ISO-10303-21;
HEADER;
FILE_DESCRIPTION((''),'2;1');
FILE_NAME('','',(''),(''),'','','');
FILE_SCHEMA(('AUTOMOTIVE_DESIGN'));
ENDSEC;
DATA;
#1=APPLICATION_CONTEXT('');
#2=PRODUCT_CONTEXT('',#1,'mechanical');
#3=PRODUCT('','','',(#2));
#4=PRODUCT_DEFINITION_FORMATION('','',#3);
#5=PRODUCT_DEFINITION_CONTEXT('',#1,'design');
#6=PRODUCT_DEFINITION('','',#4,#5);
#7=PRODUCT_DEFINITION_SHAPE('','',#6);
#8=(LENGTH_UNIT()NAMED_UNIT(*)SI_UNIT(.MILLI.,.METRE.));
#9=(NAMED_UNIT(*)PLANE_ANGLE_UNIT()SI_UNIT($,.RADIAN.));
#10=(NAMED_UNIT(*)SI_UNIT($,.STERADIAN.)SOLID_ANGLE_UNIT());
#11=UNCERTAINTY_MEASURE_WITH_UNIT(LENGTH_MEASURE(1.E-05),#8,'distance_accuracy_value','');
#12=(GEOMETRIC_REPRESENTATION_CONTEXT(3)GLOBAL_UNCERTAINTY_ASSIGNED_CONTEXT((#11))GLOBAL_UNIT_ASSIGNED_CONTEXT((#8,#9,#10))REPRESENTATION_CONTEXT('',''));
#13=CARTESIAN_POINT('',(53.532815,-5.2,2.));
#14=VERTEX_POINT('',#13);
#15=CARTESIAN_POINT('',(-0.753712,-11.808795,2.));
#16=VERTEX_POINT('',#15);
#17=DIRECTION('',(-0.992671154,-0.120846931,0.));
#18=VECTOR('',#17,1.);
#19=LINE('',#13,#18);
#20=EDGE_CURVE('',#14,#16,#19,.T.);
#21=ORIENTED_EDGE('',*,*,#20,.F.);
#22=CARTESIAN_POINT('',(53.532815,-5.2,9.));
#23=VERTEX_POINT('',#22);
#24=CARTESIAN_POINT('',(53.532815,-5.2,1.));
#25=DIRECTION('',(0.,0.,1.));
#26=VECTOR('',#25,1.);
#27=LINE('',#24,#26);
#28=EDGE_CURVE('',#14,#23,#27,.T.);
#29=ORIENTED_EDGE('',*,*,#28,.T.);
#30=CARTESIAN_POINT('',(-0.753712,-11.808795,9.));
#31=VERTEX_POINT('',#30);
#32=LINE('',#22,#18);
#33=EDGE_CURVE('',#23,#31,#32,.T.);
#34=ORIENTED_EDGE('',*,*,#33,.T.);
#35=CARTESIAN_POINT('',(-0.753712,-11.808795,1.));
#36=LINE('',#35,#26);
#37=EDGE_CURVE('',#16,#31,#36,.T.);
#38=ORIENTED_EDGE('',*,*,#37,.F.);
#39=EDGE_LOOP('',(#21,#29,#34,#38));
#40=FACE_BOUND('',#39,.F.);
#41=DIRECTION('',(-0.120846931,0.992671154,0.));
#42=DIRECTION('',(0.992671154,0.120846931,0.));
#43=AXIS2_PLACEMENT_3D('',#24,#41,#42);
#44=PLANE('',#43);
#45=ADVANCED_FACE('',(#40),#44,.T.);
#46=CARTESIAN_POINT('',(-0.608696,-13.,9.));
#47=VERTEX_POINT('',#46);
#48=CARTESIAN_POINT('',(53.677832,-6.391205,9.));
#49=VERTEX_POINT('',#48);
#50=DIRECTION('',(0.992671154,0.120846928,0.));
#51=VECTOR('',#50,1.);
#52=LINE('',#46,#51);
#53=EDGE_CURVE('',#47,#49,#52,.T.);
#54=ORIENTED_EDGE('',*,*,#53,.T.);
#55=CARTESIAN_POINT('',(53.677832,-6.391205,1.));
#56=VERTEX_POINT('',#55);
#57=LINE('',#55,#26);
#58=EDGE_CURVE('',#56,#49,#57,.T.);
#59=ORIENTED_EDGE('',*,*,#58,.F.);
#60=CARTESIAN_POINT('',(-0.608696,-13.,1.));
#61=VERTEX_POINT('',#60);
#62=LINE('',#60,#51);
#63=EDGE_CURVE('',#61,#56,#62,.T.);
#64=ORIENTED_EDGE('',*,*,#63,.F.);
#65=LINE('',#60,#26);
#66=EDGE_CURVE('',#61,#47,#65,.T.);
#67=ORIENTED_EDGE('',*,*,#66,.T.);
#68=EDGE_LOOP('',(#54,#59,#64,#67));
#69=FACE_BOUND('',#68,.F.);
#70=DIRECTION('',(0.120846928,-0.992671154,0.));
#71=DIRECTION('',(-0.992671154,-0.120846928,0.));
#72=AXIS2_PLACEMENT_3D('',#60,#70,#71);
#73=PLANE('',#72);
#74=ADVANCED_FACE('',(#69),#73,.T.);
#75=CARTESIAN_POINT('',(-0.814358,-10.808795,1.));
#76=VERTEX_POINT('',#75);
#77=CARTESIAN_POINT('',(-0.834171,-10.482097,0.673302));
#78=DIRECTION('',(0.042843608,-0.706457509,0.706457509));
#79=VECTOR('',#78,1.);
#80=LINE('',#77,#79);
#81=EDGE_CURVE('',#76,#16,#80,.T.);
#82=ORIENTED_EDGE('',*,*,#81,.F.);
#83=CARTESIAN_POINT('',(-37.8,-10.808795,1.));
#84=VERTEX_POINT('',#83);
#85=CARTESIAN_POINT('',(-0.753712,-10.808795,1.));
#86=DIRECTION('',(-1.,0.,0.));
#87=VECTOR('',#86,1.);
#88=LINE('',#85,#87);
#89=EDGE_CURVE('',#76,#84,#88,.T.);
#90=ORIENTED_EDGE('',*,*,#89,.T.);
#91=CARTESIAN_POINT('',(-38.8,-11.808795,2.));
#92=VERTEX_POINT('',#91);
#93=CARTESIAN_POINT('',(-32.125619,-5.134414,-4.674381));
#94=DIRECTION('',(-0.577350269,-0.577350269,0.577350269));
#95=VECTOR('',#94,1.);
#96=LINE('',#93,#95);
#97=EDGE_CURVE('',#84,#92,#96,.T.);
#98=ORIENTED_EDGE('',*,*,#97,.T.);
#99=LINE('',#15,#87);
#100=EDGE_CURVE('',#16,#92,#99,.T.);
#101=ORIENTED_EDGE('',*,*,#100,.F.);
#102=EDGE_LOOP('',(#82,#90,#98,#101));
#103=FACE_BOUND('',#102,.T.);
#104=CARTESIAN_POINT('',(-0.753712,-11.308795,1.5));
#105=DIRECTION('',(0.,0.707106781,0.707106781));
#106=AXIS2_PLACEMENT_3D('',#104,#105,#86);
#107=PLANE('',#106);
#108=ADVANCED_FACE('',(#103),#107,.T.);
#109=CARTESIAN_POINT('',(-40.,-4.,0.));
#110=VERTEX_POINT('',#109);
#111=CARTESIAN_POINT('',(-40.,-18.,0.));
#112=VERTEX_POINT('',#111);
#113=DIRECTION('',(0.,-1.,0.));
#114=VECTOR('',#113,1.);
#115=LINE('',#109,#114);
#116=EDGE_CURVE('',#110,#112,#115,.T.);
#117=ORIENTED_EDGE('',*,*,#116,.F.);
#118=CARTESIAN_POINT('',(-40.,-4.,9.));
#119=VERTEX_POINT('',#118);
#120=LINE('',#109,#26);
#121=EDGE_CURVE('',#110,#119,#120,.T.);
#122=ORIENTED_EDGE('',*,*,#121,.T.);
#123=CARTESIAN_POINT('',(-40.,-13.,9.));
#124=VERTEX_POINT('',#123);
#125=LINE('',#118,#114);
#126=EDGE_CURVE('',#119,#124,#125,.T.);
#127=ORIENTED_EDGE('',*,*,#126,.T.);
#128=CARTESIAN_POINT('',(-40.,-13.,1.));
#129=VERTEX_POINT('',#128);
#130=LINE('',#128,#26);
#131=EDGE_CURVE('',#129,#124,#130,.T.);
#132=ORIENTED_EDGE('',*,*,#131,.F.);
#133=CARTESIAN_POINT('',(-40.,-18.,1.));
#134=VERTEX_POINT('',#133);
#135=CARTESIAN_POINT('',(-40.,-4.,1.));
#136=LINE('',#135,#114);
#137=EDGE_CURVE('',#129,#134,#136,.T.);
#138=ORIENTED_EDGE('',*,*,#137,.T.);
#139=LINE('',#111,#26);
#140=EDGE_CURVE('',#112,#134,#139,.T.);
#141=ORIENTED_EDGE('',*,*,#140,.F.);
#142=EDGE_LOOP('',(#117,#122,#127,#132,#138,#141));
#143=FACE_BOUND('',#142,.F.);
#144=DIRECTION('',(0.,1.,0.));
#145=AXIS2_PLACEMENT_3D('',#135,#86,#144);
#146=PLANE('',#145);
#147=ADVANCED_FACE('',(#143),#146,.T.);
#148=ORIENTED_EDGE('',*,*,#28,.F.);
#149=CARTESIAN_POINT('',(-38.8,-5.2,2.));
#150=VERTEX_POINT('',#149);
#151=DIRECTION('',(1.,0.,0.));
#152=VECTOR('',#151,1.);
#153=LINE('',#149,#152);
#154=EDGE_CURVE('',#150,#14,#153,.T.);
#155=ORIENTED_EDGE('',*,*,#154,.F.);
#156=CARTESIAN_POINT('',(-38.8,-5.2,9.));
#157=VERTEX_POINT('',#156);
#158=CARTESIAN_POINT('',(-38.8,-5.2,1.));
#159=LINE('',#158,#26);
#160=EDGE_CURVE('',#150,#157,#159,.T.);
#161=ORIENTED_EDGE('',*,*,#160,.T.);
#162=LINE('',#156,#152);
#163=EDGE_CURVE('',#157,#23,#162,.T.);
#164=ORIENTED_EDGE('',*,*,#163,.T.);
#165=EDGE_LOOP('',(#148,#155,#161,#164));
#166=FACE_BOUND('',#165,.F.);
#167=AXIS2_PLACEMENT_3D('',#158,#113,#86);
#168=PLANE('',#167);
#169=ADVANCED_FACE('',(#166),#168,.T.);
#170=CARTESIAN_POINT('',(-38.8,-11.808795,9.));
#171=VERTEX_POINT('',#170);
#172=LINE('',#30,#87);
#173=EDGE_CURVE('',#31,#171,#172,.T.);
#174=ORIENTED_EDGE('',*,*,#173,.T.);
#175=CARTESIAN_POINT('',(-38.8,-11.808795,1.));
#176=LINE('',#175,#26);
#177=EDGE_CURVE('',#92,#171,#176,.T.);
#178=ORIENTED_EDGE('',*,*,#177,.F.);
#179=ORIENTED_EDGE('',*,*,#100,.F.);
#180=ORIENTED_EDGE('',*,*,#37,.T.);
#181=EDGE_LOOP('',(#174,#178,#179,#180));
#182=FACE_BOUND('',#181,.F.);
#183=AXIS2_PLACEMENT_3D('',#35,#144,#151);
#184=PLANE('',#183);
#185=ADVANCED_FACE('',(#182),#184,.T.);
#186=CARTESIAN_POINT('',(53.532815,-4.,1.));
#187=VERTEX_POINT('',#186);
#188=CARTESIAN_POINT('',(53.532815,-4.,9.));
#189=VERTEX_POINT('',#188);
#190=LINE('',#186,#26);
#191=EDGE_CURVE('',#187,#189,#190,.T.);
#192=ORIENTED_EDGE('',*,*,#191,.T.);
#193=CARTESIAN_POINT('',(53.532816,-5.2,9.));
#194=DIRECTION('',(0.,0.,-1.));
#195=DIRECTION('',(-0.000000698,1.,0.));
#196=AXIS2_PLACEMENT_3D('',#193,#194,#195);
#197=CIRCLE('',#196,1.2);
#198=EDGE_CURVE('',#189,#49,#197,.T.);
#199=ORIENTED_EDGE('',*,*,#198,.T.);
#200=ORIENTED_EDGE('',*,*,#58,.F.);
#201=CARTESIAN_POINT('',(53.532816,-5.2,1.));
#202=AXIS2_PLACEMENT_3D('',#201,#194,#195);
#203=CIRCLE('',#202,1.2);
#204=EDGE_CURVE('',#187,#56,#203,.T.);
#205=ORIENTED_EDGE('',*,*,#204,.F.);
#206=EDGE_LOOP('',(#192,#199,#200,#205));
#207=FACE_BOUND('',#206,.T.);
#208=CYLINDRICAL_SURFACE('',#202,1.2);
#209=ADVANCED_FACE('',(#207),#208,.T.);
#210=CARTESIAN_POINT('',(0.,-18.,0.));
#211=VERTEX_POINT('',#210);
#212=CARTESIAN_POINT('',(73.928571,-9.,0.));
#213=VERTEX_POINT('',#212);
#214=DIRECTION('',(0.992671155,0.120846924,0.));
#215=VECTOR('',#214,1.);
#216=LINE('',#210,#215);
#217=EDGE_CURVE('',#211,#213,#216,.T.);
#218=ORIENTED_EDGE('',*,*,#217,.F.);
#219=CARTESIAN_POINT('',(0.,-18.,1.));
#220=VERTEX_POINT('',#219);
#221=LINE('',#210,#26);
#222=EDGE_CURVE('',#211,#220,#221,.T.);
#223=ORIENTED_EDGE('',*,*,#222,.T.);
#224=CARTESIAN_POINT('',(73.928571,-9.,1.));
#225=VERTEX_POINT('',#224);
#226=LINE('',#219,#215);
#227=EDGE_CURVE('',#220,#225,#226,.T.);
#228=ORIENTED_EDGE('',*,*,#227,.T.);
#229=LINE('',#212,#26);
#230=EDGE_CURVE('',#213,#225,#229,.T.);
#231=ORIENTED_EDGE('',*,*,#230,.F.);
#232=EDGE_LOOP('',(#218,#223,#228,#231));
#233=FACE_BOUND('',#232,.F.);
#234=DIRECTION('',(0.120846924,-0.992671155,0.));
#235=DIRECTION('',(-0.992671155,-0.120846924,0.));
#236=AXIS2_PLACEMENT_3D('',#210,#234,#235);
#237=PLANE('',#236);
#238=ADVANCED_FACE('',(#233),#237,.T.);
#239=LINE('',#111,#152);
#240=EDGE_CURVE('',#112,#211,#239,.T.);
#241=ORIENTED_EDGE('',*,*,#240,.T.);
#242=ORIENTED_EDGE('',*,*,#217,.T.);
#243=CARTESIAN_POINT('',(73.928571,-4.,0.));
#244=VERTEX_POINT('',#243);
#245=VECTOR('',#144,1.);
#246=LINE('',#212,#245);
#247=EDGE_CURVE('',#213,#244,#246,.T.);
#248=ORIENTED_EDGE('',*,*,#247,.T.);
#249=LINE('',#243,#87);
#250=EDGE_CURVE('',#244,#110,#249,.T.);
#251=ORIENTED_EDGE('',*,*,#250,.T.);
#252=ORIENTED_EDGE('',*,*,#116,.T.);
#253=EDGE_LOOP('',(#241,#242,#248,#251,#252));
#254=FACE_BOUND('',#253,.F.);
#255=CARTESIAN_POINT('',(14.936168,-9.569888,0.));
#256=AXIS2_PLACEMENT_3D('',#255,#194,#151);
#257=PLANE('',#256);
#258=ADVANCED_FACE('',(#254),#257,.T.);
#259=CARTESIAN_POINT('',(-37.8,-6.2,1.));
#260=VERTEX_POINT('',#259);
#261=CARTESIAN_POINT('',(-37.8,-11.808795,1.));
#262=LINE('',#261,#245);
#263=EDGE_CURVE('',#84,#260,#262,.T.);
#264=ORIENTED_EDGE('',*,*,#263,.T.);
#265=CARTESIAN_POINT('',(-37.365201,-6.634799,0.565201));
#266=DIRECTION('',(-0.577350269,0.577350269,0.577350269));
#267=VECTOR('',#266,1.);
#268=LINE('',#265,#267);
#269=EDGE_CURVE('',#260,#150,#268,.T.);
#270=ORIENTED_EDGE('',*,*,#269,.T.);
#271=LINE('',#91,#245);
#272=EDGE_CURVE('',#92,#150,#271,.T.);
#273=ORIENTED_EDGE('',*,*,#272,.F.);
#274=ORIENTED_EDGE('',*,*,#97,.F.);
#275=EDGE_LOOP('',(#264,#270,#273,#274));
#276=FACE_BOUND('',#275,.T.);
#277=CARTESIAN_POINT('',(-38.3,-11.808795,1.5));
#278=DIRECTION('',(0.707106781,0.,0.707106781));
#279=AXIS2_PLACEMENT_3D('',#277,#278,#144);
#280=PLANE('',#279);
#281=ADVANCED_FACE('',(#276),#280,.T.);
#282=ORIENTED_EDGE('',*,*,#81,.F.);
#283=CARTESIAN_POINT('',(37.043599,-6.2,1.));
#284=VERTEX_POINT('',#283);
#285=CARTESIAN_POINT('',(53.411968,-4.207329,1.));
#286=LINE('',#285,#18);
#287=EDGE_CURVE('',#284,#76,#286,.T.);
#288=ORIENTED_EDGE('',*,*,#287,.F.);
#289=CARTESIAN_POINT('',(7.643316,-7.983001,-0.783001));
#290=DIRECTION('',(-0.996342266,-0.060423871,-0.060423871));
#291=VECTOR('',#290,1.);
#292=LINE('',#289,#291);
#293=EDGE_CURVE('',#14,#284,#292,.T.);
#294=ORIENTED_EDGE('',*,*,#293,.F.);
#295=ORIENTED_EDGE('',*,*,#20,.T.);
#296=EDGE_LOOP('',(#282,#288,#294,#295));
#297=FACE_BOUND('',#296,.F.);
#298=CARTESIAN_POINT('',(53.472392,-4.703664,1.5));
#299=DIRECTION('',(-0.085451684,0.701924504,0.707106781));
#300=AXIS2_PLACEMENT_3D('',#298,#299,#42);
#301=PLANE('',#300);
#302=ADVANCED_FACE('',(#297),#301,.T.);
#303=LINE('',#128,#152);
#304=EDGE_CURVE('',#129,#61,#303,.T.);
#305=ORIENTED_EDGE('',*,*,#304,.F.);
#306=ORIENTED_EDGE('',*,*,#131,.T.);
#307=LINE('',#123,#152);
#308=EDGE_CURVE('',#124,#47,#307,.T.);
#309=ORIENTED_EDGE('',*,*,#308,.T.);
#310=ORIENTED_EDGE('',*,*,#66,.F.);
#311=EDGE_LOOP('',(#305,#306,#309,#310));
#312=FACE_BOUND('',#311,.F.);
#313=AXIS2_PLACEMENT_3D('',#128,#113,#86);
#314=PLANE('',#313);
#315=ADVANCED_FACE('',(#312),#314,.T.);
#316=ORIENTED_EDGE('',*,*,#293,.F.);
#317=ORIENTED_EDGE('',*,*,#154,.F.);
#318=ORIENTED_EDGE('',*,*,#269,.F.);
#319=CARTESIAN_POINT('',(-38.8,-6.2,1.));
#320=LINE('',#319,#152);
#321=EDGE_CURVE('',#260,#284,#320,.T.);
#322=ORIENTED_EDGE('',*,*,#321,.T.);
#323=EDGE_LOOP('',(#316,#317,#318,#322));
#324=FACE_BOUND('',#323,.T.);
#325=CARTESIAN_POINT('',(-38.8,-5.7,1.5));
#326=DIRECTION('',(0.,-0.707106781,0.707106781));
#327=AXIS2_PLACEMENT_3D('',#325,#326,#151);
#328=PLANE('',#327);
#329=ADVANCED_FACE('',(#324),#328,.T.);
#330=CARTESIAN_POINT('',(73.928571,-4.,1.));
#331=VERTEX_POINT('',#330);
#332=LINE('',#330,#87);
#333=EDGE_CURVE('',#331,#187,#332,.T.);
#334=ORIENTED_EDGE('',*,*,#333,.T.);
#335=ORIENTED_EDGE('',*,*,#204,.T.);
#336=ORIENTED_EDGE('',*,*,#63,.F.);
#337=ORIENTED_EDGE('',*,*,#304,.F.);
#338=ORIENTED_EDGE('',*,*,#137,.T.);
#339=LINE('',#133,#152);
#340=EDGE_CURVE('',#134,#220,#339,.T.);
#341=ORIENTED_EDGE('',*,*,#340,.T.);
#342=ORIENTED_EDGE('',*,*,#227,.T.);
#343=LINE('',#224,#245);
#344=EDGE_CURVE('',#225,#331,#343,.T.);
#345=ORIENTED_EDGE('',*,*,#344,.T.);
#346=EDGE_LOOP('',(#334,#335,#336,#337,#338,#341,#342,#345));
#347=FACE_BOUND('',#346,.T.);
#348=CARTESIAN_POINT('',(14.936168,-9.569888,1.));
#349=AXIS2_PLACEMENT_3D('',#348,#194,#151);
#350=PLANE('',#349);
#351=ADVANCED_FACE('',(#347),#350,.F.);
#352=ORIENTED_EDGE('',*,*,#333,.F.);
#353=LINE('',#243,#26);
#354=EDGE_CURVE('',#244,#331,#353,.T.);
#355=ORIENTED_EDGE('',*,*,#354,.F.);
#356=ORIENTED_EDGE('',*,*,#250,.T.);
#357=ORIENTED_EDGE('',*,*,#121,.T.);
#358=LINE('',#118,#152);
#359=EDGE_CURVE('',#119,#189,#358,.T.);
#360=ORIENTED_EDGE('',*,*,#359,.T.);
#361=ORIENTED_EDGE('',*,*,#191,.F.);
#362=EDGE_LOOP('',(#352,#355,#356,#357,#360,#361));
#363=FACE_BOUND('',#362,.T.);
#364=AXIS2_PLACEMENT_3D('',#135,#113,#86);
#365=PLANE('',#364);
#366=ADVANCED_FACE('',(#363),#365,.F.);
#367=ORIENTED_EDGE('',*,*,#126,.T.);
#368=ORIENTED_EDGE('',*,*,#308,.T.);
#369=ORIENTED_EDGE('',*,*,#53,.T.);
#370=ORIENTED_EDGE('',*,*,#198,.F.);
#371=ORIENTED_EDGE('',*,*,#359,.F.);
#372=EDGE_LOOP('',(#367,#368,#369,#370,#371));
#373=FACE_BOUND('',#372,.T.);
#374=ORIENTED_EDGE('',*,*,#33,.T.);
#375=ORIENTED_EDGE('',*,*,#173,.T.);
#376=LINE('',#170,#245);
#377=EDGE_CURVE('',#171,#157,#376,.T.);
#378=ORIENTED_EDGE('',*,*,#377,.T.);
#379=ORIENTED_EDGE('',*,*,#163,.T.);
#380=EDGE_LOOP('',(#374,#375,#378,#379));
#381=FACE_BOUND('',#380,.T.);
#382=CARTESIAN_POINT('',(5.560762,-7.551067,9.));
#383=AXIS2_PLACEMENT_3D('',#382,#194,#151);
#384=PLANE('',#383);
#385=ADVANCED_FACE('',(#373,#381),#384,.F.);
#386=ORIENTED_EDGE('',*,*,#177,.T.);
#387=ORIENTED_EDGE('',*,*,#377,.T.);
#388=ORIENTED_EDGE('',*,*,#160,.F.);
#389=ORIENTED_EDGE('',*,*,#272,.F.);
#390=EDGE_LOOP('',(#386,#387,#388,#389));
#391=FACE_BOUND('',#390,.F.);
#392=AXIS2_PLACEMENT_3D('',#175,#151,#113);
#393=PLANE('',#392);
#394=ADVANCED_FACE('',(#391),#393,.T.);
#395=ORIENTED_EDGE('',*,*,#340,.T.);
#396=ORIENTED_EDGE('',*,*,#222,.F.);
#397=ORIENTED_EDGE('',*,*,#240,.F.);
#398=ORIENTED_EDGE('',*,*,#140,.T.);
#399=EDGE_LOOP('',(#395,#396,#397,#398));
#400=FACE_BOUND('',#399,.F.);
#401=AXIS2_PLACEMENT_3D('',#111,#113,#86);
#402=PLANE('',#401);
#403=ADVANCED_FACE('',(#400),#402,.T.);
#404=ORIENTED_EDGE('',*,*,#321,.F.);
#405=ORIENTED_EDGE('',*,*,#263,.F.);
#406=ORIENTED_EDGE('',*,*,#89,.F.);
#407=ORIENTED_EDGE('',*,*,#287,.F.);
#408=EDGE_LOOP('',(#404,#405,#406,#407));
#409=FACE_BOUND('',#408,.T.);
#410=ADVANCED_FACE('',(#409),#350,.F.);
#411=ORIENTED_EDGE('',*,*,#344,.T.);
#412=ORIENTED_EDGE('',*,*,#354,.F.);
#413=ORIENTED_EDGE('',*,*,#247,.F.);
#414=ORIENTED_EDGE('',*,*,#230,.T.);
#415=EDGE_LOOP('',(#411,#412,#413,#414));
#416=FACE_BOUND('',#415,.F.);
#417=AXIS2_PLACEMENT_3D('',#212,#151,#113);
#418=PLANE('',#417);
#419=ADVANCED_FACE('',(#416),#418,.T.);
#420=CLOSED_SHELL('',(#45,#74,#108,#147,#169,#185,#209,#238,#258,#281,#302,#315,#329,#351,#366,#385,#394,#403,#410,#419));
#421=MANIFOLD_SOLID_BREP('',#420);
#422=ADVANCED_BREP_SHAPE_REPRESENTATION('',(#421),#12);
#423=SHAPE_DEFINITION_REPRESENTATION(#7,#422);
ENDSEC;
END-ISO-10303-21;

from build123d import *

# Parameters (mm, degrees)
PAD_DEPTH                      = 1
PAD001_DEPTH                   = 8
CHAMFER_SIZE                   = 1
PART_MIRRORING_PLACEMENT_ANGLE = 180


with BuildPart() as body_ramp_support:
    # Sketch → Pad (new body)
    with BuildSketch(Plane.XY):
        Polygon((-40, 0), (-40, 14), (0, 14), (73.928571, 5), (73.928571, 0), align=None)
    extrude(amount=PAD_DEPTH)

    # Sketch001 (on Face7 of Pad) → Pad001 (join)
    with BuildSketch(Plane.XY.offset(1)):
        with BuildLine():
            Line((-40, 9), (-0.608696, 9))
            Line((-0.608696, 9), (53.677832, 2.391205))
            ThreePointArc((53.532815, 0), (54.730615, 1.127359), (53.677832, 2.391205))
            Line((-40, 0), (53.532815, 0))
            Line((-40, 0), (-40, 9))
        make_face()
        Polygon((53.532815, 1.2), (-0.753712, 7.808795), (-38.8, 7.808795), (-38.8, 1.2), align=None, mode=Mode.SUBTRACT)
    extrude(amount=PAD001_DEPTH)

    # Chamfer
    chamfer_edges = [body_ramp_support.edges().sort_by_distance(p)[0] for p in [
        (-19.776856, 7.808795, 1),
        (26.389552, 4.504397, 1),
        (7.366408, 1.2, 1),
        (-38.8, 4.504397, 1),
    ]]
    chamfer(chamfer_edges, length=CHAMFER_SIZE)


with BuildPart() as mirror_ramp_support:
    # Part__Mirroring: instance of Body-ramp-support
    add(body_ramp_support.part.mirror(Plane(origin=(0, 0, 0), x_dir=(0, -1, 0), z_dir=(1, 0, 0))))


with BuildPart() as mirror_ramp_support_1:
    # Part__Mirroring placement: moved
    add(mirror_ramp_support.part.moved(Location((0, -4, 0))).rotate(Axis((0, -4, 0), (0, 0, 1)), PART_MIRRORING_PLACEMENT_ANGLE))


solid = mirror_ramp_support_1.part
